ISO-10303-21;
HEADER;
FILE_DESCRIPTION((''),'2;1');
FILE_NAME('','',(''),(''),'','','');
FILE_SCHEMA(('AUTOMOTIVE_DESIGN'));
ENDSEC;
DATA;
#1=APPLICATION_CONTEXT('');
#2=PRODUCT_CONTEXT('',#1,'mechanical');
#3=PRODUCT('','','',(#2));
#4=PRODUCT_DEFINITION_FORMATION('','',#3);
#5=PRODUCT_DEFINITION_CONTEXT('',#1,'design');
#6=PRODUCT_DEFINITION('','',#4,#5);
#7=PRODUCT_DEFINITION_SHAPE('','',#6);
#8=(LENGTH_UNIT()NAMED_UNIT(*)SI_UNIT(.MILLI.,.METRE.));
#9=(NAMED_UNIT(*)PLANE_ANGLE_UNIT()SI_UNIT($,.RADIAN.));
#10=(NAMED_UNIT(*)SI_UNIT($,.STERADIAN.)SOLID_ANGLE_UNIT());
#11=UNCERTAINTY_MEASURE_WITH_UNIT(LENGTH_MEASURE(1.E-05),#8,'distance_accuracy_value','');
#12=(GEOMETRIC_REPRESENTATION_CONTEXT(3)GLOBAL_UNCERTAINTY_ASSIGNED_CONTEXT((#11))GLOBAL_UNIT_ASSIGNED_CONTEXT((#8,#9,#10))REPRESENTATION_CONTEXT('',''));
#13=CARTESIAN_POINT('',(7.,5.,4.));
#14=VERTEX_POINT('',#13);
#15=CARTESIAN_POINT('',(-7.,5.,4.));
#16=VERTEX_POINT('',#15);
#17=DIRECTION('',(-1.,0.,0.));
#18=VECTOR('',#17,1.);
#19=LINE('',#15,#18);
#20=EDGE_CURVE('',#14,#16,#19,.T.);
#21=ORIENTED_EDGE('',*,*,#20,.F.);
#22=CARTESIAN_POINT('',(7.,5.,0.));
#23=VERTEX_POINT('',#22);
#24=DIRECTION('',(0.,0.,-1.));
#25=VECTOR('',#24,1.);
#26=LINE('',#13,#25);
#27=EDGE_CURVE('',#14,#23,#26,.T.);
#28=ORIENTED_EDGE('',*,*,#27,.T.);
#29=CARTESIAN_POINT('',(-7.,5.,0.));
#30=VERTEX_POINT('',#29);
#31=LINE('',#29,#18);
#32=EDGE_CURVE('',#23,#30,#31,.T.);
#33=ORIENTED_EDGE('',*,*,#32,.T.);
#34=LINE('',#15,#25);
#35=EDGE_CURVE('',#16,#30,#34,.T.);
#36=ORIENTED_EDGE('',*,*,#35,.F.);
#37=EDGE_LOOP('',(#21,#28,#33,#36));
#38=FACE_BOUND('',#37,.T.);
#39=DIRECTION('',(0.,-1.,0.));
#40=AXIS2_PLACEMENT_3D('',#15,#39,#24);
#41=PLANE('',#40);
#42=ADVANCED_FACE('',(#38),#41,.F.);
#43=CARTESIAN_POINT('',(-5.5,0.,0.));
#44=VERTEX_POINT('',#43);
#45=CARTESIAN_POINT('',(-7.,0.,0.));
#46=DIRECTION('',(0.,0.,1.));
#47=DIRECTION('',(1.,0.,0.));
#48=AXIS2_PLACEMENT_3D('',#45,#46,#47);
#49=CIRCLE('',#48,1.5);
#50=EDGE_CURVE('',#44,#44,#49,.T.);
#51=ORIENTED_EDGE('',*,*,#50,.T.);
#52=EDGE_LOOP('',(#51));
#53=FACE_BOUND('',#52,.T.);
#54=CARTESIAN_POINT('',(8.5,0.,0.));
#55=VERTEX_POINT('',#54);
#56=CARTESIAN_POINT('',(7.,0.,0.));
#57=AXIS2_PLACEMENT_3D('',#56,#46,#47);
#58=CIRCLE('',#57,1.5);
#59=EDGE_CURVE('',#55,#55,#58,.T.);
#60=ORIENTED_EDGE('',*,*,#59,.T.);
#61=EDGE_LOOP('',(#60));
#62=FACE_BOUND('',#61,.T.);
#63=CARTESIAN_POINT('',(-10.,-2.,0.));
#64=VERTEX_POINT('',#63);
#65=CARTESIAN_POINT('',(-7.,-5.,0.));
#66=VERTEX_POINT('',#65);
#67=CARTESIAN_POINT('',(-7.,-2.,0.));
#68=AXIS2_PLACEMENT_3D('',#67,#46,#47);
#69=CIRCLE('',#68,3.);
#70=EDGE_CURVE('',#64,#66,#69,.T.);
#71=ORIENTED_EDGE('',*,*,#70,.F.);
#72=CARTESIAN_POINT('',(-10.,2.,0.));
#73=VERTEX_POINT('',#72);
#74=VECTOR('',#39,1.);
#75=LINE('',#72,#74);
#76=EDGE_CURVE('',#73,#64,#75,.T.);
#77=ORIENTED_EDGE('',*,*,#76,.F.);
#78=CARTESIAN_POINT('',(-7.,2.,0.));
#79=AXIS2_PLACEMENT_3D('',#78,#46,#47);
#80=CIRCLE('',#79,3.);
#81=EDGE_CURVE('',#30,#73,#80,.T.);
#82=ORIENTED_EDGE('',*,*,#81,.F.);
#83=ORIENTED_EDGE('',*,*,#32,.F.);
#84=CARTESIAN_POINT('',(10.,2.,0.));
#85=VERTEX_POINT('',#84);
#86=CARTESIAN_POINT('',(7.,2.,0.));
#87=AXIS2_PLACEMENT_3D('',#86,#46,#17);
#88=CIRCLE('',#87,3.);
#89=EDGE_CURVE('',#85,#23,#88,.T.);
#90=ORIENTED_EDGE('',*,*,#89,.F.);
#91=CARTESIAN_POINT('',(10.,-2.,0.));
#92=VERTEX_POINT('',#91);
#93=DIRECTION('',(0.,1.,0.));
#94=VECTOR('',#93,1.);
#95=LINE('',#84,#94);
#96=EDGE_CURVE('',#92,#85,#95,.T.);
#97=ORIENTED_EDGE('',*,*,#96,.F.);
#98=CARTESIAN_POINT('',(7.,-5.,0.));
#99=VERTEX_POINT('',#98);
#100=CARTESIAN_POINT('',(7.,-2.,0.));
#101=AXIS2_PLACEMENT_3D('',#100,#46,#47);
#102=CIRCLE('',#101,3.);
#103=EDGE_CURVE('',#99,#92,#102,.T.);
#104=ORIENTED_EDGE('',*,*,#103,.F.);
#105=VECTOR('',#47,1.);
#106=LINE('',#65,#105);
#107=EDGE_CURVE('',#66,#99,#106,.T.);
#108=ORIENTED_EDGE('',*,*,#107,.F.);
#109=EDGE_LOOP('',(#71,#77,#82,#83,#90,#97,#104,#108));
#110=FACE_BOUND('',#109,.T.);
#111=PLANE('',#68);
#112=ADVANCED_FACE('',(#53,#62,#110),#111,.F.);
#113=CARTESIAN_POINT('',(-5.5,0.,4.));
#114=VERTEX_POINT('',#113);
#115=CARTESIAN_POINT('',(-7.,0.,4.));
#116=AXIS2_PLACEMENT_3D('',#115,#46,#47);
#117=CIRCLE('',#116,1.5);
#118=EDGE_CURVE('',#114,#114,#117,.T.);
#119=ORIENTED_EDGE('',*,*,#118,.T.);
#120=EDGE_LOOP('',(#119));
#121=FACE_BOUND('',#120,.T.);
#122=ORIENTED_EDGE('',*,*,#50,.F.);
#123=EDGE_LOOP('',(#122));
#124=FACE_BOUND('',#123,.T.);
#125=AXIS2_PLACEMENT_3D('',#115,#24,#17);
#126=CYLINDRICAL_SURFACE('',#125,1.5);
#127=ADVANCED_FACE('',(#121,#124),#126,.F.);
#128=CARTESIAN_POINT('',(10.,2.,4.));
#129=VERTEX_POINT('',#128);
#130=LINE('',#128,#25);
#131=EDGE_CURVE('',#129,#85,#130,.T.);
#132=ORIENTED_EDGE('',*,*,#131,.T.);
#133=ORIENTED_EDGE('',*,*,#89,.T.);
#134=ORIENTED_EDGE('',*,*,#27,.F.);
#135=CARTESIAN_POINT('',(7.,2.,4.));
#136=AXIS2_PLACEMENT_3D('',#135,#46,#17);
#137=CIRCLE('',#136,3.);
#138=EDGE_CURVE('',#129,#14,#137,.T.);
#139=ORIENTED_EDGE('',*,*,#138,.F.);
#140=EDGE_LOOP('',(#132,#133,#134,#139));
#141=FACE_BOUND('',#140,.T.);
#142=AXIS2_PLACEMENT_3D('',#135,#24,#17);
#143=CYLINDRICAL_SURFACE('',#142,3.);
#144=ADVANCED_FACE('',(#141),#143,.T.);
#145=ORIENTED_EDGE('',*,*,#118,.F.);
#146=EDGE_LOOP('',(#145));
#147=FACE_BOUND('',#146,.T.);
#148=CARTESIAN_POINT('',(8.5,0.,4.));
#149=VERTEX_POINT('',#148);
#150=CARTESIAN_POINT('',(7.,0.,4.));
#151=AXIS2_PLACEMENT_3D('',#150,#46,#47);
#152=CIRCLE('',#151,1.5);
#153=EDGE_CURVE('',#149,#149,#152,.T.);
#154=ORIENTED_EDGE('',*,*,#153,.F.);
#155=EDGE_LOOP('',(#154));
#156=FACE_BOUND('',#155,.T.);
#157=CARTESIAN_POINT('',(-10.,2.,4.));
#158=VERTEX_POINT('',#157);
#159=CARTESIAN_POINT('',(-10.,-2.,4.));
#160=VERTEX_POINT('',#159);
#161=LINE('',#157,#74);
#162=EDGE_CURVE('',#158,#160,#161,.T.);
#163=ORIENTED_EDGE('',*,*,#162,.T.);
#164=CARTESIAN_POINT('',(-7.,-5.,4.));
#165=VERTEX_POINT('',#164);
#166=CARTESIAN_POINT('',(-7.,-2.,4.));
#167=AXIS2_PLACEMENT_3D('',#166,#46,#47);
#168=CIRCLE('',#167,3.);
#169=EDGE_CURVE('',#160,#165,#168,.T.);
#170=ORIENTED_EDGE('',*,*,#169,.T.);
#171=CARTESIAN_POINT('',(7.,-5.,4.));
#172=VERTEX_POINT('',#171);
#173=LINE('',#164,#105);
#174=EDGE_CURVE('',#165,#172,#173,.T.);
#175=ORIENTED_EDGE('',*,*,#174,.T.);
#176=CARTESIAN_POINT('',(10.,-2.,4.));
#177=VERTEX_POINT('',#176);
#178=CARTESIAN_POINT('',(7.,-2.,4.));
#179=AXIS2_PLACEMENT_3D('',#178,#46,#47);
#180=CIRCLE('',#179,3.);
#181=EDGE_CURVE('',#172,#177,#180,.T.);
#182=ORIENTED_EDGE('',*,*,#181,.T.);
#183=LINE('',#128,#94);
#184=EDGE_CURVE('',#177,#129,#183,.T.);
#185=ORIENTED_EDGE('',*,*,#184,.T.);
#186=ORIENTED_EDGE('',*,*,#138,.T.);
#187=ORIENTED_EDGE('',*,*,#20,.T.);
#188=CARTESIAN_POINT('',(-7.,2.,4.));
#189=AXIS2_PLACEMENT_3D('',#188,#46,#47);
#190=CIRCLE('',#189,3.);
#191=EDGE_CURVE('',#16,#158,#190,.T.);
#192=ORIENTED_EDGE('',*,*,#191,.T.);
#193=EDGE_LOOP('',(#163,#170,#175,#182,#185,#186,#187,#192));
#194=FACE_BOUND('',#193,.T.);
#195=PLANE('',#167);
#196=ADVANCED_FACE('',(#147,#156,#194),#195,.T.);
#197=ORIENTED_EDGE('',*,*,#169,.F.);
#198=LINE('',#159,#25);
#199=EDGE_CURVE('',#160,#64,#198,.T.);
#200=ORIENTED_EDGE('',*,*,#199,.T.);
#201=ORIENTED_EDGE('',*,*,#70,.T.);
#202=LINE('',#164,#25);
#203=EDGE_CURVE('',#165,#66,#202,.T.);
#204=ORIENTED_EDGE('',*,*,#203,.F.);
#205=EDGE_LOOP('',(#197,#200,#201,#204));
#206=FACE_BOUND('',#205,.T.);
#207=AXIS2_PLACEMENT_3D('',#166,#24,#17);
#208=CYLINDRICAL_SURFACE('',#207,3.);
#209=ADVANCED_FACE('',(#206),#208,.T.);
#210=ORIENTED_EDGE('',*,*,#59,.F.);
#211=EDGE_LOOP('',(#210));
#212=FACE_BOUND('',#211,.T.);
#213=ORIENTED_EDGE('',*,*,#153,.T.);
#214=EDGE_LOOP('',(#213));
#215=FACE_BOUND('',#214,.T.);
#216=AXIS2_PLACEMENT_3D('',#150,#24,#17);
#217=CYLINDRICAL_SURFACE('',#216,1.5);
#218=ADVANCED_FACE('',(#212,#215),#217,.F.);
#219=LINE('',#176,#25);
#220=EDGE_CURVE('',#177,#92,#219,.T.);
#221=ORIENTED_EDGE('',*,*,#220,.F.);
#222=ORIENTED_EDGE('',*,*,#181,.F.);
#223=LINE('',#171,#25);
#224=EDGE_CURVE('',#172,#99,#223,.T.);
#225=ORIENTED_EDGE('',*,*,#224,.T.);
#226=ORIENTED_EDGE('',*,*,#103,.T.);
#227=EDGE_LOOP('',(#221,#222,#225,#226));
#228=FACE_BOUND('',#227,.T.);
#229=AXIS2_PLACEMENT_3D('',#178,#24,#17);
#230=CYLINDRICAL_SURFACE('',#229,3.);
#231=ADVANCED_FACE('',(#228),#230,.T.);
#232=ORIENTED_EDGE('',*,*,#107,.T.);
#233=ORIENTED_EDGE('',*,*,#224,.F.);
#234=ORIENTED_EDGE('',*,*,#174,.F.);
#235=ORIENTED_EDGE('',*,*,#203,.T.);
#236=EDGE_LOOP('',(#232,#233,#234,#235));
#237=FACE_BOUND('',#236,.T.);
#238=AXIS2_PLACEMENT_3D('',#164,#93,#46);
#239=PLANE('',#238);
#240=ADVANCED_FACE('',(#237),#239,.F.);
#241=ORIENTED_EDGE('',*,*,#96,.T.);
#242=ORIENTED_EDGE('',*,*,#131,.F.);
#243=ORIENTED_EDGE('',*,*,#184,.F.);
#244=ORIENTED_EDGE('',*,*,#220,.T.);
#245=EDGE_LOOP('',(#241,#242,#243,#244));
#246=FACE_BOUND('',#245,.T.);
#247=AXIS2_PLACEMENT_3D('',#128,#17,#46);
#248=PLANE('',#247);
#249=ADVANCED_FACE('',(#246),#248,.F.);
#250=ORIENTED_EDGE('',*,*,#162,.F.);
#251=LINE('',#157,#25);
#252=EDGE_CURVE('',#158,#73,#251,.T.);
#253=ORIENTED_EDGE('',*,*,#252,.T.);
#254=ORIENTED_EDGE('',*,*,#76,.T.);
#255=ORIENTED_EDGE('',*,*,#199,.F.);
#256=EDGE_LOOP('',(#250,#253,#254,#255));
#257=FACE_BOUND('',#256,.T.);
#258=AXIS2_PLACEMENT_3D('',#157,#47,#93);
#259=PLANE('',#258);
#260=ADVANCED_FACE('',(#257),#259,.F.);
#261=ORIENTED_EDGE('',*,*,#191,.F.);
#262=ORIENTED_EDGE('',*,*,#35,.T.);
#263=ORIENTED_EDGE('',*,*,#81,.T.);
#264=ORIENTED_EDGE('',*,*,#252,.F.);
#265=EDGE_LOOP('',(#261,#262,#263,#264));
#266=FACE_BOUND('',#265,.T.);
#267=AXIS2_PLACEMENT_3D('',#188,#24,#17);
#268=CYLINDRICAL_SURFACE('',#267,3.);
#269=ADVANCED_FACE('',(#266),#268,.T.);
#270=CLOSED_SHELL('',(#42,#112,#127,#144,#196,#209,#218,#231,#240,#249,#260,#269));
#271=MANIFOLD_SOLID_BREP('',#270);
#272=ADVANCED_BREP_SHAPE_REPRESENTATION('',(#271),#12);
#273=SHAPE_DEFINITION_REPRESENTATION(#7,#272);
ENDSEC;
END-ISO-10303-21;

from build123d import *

# Parameters (mm, degrees)
SKETCH_1_R      = 1.5
EXTRUDE_1_DEPTH = 4


with BuildPart() as part:
    # 草图1 → 凸台-拉伸1 (new body)
    with BuildSketch(Plane.XY):
        with BuildLine():
            Line((-7, 5), (7, 5))
            ThreePointArc((7, 5), (9.121320344, 4.121320344), (10, 2))
            Line((10, 2), (10, -2))
            ThreePointArc((10, -2), (9.121320344, -4.121320344), (7, -5))
            Line((7, -5), (-7, -5))
            ThreePointArc((-7, -5), (-9.121320344, -4.121320344), (-10, -2))
            Line((-10, -2), (-10, 2))
            ThreePointArc((-10, 2), (-9.121320344, 4.121320344), (-7, 5))
        make_face()
        with Locations((-7, 0)):
            Circle(SKETCH_1_R, mode=Mode.SUBTRACT)
        with Locations((7, 0)):
            Circle(SKETCH_1_R, mode=Mode.SUBTRACT)
    extrude(amount=EXTRUDE_1_DEPTH)


solid = part.part
